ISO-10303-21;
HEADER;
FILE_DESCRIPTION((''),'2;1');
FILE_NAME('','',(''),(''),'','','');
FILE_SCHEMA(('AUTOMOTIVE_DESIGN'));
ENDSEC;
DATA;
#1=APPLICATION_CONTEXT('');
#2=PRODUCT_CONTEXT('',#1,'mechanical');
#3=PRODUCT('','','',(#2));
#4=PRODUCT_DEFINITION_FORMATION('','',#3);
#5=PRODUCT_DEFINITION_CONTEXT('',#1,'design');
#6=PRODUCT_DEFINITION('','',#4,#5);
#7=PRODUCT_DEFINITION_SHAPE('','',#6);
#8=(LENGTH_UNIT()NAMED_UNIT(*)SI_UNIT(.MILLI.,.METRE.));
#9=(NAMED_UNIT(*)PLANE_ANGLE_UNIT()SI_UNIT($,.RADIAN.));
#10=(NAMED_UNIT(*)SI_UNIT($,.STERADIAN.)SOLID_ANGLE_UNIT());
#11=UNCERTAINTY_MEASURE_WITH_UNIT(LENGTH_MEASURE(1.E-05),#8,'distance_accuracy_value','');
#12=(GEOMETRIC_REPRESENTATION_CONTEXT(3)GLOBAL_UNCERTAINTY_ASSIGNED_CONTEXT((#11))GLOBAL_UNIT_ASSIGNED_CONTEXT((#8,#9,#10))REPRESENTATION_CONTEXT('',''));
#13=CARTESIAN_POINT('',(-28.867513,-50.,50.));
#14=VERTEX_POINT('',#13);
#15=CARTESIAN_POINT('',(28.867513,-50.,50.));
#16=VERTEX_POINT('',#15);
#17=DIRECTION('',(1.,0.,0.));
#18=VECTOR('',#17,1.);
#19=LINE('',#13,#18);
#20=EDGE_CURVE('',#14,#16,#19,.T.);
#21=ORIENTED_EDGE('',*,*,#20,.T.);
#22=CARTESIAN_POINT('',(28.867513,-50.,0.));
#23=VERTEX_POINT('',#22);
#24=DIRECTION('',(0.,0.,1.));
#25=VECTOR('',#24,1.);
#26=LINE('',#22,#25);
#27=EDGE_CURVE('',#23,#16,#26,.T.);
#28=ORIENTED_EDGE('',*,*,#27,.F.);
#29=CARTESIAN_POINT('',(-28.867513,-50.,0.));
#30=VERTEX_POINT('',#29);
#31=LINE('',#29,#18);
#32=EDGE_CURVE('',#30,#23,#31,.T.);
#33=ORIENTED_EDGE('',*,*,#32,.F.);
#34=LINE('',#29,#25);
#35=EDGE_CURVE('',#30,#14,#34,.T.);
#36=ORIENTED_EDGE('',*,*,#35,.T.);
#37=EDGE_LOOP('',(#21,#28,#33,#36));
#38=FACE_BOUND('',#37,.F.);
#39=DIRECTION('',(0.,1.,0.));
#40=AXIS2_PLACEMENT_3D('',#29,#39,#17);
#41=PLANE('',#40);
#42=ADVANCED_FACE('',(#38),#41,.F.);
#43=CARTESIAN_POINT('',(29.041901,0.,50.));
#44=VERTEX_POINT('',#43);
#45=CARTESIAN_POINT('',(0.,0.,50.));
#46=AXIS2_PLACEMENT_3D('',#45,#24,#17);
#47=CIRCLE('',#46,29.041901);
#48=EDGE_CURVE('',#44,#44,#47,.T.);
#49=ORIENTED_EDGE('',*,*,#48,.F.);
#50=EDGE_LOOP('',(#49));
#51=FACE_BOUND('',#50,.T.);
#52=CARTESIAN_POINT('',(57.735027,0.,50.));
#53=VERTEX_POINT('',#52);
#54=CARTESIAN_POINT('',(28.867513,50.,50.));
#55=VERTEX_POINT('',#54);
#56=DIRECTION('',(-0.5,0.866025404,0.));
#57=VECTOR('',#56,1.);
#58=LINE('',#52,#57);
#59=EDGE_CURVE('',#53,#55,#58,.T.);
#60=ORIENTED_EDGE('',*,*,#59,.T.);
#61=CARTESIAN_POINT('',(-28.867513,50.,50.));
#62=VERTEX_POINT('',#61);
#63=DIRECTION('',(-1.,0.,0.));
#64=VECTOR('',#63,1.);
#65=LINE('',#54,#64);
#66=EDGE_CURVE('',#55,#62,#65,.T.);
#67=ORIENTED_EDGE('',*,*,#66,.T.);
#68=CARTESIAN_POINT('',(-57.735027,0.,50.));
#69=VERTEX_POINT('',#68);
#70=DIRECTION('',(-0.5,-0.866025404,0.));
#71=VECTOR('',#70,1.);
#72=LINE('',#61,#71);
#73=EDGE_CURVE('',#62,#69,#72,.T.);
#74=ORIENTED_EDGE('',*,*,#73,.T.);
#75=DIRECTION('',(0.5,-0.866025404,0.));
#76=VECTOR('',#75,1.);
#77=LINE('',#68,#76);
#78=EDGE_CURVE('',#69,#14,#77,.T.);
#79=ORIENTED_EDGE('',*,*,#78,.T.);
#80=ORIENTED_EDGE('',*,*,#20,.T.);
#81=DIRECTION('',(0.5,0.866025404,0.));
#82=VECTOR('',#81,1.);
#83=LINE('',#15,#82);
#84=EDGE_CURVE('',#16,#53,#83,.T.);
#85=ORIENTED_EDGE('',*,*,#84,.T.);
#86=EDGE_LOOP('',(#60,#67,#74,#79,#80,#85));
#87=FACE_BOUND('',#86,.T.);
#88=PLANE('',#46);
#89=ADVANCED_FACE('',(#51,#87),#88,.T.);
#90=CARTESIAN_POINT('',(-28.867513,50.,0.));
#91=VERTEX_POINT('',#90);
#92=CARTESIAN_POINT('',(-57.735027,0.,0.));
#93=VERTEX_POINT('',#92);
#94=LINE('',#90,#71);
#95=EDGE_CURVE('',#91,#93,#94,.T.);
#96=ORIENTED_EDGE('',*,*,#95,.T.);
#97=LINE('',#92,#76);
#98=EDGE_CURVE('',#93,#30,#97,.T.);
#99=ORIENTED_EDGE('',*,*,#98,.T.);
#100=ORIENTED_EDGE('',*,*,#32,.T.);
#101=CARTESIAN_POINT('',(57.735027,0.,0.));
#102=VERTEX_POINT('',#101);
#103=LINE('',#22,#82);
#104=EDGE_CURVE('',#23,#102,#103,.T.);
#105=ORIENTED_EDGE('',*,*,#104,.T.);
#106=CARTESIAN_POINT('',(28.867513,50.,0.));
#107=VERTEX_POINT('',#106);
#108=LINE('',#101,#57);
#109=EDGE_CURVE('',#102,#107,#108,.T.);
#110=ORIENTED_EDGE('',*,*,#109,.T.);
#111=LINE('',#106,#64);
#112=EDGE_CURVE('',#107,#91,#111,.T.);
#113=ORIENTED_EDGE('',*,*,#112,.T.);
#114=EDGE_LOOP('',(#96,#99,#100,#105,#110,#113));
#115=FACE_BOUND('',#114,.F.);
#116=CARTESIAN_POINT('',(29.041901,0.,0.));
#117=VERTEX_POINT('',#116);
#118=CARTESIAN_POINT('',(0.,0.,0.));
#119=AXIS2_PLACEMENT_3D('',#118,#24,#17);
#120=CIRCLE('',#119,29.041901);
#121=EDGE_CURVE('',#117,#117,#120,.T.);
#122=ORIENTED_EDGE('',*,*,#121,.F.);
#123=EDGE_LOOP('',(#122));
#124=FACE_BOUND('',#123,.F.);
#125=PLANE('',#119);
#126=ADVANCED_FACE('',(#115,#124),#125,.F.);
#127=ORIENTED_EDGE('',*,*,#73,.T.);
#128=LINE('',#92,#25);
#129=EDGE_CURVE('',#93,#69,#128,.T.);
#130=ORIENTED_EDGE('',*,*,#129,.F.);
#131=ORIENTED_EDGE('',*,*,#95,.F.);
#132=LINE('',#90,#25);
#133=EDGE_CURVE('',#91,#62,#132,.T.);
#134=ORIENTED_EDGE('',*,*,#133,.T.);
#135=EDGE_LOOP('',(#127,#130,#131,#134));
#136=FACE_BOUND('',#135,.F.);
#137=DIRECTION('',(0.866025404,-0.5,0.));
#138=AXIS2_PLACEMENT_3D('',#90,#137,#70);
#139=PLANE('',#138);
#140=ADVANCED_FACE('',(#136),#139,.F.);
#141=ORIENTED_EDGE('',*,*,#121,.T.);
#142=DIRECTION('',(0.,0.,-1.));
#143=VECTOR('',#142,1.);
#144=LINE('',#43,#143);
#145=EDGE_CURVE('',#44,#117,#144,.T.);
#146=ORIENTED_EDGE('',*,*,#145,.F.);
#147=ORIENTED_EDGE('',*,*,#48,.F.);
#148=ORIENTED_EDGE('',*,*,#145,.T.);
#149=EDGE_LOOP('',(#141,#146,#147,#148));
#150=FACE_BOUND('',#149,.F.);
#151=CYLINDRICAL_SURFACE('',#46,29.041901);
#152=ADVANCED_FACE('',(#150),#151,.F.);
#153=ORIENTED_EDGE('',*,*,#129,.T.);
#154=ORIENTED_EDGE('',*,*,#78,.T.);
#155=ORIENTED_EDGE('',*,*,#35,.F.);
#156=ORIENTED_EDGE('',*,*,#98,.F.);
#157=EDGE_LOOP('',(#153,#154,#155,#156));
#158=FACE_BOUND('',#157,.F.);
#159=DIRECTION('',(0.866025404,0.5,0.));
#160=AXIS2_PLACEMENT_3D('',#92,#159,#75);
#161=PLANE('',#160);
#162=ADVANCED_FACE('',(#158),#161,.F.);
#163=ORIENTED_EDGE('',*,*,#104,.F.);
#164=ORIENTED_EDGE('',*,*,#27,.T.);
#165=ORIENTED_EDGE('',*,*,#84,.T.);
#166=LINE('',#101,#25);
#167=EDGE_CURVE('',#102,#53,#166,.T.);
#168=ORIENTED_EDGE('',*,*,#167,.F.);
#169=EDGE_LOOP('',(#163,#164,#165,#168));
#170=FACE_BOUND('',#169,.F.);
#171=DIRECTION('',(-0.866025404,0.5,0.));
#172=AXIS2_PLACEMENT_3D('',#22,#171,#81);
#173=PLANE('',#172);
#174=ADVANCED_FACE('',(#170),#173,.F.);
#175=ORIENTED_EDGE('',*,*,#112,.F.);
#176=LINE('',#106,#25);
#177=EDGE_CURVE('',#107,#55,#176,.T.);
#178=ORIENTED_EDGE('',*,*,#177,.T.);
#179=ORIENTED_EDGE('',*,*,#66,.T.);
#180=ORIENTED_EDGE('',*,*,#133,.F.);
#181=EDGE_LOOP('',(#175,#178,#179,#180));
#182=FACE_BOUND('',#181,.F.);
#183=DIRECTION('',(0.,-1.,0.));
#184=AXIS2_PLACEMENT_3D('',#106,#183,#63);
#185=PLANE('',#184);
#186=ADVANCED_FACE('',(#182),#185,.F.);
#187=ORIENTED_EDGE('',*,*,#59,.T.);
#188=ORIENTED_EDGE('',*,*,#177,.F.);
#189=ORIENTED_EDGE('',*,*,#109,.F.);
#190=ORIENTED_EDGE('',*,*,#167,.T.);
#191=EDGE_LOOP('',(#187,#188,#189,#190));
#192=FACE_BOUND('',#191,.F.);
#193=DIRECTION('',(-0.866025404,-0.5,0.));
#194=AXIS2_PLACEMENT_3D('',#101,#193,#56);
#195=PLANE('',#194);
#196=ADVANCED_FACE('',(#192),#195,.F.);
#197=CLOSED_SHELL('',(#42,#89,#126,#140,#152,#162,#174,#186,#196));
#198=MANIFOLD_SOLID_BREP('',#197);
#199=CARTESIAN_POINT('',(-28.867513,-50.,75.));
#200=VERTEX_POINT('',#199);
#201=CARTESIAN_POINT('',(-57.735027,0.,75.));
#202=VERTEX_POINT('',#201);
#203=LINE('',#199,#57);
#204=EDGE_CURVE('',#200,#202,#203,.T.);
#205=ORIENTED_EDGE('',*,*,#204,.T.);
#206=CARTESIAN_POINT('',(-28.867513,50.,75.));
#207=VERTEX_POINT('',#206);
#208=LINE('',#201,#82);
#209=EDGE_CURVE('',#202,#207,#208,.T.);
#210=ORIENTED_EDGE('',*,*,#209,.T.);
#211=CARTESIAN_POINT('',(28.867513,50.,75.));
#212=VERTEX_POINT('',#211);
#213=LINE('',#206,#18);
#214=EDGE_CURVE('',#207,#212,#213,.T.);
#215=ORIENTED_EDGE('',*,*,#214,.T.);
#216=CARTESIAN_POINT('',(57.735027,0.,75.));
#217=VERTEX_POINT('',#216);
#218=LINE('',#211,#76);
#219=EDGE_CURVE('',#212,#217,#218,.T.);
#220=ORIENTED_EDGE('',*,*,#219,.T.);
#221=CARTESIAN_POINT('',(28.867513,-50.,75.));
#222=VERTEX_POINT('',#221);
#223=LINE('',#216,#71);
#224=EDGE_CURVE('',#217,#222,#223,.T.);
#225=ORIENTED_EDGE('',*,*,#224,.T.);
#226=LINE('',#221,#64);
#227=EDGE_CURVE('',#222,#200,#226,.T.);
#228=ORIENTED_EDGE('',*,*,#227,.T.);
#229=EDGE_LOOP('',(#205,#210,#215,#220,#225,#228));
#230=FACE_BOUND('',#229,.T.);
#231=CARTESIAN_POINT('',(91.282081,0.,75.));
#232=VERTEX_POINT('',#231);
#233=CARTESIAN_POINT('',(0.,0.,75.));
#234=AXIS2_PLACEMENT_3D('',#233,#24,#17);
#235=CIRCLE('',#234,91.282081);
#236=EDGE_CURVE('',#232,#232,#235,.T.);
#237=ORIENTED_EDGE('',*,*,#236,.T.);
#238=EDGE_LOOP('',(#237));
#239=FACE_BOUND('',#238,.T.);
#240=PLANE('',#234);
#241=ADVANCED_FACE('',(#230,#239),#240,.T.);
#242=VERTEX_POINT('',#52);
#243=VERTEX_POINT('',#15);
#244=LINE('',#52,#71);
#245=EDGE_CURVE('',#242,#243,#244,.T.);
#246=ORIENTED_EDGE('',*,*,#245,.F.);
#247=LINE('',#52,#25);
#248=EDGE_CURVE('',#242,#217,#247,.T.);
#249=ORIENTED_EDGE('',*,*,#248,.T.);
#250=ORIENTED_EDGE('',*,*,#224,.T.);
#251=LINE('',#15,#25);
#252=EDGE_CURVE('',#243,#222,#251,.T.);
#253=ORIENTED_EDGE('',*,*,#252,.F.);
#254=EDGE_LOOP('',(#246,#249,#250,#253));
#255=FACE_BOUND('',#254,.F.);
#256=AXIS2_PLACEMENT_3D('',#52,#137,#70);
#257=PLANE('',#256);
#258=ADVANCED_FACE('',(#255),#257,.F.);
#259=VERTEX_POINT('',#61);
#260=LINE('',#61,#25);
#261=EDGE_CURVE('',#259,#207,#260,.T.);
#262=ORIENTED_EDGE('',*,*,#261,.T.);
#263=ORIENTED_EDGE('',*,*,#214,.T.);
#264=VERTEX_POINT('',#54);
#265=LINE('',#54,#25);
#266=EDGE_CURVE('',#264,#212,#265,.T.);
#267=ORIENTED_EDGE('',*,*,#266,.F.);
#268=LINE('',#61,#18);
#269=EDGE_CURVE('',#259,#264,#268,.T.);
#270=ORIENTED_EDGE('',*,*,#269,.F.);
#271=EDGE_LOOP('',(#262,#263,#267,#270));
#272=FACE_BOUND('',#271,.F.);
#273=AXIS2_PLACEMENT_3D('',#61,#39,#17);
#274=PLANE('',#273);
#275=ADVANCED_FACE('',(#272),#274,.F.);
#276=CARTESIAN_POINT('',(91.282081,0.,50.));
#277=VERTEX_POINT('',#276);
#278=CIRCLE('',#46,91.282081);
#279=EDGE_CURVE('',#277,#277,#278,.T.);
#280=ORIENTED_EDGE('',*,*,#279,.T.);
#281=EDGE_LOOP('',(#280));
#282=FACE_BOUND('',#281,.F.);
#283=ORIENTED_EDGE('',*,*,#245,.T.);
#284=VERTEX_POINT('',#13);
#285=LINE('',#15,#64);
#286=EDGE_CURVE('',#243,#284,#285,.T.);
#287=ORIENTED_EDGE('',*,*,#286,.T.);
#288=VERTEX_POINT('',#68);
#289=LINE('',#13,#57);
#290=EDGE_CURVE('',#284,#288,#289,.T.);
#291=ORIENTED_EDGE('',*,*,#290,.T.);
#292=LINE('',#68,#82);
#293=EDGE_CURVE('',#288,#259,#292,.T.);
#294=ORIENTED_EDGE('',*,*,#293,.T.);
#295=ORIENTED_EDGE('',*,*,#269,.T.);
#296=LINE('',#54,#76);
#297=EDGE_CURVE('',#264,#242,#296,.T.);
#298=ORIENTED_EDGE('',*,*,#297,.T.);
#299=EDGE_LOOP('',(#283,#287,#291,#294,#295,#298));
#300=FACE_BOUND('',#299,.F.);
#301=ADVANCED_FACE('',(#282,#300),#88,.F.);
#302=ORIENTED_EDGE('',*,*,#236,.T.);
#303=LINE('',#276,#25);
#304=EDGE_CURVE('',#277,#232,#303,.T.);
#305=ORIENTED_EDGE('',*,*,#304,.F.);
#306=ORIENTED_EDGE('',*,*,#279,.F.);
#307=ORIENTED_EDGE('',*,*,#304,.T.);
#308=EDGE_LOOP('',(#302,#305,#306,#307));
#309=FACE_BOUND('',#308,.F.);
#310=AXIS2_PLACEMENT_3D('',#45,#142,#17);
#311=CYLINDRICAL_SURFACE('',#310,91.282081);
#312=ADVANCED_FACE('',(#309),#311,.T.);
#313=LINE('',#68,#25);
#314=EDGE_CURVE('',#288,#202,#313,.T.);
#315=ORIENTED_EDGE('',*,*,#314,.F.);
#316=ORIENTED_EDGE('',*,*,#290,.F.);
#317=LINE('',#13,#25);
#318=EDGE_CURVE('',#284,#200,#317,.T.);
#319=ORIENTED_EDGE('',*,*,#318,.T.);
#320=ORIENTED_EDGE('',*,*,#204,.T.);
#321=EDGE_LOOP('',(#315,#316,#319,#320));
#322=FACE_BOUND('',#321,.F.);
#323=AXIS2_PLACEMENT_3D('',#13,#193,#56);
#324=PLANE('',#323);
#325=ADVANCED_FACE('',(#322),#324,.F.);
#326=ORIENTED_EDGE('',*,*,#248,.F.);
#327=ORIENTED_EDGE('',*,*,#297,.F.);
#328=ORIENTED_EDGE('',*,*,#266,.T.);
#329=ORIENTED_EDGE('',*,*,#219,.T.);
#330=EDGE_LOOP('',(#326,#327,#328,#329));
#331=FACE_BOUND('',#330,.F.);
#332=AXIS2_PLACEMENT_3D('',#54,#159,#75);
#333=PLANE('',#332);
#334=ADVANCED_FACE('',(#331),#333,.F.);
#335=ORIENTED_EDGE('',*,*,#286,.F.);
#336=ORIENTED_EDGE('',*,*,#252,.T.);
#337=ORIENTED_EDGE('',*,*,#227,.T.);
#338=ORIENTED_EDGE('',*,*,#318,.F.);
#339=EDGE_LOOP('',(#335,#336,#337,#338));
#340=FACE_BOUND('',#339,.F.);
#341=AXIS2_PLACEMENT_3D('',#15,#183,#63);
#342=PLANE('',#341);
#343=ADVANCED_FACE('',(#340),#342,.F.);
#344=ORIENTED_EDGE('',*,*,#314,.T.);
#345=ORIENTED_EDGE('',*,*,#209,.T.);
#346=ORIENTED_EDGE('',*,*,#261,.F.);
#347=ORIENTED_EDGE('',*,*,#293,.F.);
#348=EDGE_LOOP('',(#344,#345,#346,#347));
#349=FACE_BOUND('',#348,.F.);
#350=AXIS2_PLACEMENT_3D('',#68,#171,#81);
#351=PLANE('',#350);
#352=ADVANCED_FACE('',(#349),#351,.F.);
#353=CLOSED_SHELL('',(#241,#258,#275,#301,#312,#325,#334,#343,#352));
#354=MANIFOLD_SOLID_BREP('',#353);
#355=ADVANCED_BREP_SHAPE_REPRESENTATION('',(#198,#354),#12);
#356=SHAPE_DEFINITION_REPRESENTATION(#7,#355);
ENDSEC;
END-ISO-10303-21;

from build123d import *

# Parameters (mm, degrees)
F1_DEPTH = 50
F2_R     = 29.0419014252
F3_DEPTH = 50
F4_R     = 91.2820808401
F5_DEPTH = 25


with BuildPart() as f1:
    # F0 (on Top) → F1 (new body)
    with BuildSketch(Plane.XY):
        Polygon((28.8675134595, 50), (-28.8675134595, 50), (-57.735026919, 0), (-28.8675134595, -50), (28.8675134595, -50), (57.735026919, 0), align=None)
    extrude(amount=F1_DEPTH)

    # F2 (on face) → F3 (cut, through all)
    with BuildSketch(Plane.XY.offset(50)):
        Circle(F2_R)
    extrude(amount=-F3_DEPTH, mode=Mode.SUBTRACT)


with BuildPart() as f5:
    # F4 (on face) → F5 (new body)
    with BuildSketch(Plane.XY.offset(50)):
        Circle(F4_R)
        Polygon((28.8675134595, 50), (57.735026919, 0), (28.8675134595, -50), (-28.8675134595, -50), (-57.735026919, 0), (-28.8675134595, 50), align=None, mode=Mode.SUBTRACT)
    extrude(amount=F5_DEPTH)


solid = Compound([f1.part, f5.part])
